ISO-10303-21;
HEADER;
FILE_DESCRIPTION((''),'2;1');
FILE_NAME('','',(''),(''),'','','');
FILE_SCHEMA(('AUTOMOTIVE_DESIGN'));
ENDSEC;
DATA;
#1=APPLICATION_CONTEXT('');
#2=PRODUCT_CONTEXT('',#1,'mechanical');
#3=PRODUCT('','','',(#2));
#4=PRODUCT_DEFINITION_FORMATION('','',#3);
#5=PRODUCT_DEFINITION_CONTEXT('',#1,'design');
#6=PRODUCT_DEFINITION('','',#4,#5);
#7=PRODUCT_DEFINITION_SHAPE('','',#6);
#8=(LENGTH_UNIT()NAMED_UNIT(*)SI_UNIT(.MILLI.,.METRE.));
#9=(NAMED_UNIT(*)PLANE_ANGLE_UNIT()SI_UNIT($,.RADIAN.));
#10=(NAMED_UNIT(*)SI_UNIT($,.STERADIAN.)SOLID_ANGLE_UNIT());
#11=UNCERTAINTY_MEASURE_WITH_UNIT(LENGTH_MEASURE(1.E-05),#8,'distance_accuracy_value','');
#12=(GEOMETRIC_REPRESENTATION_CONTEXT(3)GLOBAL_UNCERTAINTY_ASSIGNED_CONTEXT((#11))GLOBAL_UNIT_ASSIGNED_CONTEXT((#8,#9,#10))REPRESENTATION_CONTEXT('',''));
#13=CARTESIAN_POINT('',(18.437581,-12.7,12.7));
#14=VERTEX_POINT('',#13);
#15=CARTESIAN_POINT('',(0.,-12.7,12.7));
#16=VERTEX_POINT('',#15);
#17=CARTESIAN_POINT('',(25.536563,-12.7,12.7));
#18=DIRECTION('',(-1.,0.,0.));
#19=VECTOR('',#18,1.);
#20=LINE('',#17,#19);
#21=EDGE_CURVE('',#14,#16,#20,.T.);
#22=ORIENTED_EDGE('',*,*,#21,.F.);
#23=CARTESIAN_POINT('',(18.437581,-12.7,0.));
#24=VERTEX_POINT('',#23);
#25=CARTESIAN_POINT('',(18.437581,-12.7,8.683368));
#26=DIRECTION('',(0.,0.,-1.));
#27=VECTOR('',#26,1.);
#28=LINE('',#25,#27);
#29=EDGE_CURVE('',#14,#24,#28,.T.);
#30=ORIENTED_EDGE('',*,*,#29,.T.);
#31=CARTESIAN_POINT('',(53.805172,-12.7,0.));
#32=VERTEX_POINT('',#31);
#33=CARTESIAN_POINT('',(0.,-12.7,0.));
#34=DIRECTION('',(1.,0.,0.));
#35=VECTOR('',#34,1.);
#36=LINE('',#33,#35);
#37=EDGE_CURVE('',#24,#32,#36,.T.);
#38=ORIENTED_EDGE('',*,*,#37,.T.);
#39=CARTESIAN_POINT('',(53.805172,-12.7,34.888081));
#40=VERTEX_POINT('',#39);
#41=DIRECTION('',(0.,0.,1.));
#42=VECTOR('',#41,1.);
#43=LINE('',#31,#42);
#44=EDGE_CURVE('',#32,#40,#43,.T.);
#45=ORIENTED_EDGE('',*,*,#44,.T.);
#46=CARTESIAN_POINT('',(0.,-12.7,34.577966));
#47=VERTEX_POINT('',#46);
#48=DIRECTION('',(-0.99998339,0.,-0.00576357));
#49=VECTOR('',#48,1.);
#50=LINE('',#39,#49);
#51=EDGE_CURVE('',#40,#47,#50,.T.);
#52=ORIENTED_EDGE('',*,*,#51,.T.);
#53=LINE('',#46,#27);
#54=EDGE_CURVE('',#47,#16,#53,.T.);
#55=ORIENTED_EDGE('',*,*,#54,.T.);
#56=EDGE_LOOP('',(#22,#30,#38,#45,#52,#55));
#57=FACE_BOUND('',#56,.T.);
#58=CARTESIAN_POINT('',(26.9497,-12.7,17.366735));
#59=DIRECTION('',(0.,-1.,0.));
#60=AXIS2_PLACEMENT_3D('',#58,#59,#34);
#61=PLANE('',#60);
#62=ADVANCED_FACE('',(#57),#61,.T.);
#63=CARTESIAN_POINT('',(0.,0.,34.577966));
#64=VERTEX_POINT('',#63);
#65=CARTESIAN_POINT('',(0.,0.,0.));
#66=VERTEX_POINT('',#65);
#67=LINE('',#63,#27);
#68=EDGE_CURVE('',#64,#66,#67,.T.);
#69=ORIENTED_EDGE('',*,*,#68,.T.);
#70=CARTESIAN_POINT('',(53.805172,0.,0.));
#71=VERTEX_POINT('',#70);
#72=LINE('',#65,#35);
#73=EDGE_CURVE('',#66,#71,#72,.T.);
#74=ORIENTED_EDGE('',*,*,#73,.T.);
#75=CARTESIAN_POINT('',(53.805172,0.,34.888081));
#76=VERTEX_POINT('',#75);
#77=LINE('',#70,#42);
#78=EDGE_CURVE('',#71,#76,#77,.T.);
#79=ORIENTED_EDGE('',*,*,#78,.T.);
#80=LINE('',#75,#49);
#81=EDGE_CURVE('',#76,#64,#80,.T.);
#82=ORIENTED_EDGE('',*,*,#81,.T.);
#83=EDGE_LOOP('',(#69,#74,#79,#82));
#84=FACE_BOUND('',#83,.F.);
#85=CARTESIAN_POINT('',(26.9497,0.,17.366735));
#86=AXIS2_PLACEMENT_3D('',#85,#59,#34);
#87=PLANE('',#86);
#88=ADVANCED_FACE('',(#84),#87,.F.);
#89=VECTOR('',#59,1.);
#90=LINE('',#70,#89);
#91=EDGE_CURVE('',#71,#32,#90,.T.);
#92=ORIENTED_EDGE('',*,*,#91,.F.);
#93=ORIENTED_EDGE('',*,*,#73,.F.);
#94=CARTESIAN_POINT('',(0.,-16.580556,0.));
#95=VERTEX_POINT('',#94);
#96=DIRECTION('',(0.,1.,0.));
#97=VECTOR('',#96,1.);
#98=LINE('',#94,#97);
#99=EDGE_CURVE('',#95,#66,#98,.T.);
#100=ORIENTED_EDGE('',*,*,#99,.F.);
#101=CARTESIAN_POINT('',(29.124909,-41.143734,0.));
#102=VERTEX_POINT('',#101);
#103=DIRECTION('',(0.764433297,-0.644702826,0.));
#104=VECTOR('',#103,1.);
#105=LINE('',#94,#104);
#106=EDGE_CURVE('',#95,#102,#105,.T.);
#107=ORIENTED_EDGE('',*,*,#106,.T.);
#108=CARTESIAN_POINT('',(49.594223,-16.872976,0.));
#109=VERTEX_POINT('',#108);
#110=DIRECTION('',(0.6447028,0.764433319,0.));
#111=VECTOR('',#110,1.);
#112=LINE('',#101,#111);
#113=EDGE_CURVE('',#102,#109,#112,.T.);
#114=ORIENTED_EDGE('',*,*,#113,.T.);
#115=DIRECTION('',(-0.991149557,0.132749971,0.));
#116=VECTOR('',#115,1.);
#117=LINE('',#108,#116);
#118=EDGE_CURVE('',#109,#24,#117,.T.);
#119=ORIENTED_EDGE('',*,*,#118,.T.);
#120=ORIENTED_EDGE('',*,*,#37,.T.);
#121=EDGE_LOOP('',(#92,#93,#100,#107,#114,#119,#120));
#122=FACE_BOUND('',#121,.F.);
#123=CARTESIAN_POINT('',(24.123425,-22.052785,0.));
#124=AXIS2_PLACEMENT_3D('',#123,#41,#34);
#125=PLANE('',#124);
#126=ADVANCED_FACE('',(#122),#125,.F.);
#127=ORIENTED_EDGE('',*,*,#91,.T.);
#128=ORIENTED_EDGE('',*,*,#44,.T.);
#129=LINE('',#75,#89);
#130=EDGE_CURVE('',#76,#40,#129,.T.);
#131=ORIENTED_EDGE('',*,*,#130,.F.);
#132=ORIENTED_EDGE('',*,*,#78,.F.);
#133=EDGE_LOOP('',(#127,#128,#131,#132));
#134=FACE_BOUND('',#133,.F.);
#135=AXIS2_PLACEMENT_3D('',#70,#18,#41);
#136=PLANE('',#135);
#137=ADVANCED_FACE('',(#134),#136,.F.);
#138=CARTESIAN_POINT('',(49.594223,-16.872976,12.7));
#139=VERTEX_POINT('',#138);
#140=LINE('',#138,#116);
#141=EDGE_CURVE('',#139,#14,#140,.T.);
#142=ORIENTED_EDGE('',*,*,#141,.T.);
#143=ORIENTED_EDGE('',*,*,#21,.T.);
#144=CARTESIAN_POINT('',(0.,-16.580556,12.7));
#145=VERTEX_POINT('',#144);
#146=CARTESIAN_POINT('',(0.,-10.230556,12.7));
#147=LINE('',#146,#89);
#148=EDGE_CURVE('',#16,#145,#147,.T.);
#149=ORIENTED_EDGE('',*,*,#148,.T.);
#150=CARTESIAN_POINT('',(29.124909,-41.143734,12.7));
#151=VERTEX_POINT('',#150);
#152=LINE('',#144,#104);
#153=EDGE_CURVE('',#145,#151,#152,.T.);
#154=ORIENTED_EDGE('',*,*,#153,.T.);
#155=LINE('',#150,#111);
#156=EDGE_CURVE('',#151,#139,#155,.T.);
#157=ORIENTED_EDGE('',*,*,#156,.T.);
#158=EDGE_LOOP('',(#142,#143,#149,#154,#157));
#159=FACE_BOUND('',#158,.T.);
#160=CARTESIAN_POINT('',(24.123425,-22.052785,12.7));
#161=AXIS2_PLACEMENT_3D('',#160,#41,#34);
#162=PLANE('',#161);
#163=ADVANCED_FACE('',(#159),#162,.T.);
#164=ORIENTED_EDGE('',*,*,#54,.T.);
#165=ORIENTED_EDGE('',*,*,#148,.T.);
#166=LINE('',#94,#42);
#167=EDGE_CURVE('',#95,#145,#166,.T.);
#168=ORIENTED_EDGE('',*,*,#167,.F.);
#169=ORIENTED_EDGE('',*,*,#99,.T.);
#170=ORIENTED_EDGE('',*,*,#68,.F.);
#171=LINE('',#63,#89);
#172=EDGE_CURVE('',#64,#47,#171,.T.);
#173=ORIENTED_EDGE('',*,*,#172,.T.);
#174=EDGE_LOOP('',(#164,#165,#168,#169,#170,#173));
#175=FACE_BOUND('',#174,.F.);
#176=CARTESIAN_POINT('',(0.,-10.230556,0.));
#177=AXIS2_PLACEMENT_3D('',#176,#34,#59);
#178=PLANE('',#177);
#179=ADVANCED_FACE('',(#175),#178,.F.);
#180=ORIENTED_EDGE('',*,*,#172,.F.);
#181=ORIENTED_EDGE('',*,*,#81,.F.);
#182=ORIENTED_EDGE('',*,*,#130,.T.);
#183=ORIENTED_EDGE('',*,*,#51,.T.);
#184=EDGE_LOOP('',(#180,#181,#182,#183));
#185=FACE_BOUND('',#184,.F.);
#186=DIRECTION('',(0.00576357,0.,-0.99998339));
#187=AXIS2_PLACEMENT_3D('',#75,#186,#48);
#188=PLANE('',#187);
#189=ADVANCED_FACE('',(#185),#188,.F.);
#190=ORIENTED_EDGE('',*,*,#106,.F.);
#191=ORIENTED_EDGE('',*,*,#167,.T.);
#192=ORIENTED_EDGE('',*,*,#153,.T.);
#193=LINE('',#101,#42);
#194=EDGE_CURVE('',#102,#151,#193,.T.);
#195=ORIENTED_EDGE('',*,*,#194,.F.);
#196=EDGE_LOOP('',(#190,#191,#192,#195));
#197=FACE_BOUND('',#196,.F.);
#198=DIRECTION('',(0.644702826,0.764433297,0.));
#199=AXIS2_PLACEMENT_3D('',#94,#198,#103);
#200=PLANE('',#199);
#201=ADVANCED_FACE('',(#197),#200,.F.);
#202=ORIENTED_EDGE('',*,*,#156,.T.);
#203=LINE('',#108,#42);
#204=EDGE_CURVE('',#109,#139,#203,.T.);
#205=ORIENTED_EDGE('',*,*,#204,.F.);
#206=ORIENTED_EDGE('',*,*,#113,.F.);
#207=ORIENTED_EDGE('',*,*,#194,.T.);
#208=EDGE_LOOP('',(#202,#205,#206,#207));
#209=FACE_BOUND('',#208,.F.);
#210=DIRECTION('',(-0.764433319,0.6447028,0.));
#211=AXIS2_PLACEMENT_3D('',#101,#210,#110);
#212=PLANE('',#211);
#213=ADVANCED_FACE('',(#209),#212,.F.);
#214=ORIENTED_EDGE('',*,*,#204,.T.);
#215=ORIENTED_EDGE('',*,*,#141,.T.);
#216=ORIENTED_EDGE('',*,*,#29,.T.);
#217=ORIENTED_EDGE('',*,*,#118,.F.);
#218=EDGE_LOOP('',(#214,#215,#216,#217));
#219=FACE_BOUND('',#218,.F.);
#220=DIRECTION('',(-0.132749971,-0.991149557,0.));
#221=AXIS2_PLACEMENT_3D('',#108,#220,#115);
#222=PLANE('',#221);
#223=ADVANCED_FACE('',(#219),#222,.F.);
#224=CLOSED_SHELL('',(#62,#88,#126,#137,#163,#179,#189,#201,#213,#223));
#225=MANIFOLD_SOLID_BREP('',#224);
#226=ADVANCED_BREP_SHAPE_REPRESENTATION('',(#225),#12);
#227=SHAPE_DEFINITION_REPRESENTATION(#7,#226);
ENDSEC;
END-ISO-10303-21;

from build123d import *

# Parameters (mm, degrees)
F1_DEPTH = 12.7
F3_DEPTH = 12.7


with BuildPart() as f1:
    # F0 (on Front) → F1 (new body)
    with BuildSketch(Plane.XZ):
        Polygon((53.805172, 34.888081), (0, 34.577966), (0, 0), (53.805172, 0), align=None)
    extrude(amount=F1_DEPTH)

    # F2 (on Top) → F3 (join)
    with BuildSketch(Plane.XY):
        Polygon((49.594223, -16.872976), (0, -10.230556), (0, -16.580556), (29.124909, -41.143734), align=None)
    extrude(amount=F3_DEPTH)


solid = f1.part
